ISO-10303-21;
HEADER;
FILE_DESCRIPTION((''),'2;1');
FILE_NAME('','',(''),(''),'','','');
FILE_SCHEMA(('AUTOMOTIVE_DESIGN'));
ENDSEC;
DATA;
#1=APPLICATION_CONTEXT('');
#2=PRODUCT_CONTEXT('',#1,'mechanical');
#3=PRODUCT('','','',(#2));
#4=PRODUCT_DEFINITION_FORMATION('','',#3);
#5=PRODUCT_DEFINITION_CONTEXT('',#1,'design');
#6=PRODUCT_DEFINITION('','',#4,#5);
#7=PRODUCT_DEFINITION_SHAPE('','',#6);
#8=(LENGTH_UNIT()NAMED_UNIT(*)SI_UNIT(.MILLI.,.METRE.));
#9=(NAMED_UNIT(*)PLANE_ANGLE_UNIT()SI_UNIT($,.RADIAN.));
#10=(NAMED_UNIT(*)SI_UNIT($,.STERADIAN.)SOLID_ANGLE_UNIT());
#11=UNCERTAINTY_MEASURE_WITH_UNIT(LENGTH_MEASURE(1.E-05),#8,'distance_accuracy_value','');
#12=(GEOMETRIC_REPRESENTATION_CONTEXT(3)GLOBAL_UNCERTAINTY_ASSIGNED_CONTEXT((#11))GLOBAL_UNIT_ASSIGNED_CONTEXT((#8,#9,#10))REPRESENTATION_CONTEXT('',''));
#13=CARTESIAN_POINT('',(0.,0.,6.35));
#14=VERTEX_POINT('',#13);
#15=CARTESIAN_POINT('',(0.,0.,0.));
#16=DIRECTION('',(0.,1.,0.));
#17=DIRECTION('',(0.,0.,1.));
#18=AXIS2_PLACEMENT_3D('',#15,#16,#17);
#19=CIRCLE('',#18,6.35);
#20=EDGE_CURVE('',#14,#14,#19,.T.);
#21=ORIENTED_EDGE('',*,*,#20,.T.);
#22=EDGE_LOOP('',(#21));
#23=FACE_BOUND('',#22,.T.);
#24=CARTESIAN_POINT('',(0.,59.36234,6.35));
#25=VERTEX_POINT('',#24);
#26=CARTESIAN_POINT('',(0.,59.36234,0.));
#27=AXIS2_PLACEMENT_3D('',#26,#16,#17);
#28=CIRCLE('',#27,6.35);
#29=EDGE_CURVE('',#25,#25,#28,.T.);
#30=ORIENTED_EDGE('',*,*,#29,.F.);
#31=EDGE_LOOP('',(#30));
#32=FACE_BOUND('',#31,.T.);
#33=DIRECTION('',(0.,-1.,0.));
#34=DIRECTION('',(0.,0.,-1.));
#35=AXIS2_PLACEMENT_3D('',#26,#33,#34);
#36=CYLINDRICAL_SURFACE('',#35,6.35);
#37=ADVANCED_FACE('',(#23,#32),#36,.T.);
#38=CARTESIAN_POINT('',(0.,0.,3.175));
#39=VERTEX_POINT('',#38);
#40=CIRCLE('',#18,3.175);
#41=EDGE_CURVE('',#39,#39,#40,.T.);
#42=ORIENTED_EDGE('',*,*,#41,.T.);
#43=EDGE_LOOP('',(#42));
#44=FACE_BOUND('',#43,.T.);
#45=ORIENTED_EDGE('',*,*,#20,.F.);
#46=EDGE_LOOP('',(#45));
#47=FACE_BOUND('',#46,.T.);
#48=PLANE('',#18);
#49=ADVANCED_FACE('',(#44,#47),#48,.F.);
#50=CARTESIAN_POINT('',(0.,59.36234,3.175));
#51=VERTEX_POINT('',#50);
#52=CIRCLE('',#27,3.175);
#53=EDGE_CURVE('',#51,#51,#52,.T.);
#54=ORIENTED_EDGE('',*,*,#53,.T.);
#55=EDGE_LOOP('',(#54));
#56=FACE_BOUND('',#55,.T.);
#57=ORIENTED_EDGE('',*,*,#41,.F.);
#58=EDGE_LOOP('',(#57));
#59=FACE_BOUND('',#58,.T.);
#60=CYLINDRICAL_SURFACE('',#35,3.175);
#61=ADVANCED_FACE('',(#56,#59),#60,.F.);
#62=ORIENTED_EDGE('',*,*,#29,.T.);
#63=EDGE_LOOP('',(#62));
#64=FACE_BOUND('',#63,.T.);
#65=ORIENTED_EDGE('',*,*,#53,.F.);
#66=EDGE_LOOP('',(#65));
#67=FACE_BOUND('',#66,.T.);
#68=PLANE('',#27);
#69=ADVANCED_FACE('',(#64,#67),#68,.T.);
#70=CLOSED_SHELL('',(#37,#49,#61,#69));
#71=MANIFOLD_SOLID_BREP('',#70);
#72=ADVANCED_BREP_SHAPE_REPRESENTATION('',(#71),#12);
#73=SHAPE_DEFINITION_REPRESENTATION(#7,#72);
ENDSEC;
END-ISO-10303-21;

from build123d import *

# Parameters (mm, degrees)
SKETCH1_R           = 6.35
SKETCH1_R_2         = 3.175
BOSS_EXTRUDE1_DEPTH = 59.36234


with BuildPart() as part:
    # Sketch1 → Boss-Extrude1 (new body)
    with BuildSketch(Plane(origin=(0, 0, 0), x_dir=(1, 0, 0), z_dir=(0, 1, 0))):
        Circle(SKETCH1_R)
        Circle(SKETCH1_R_2, mode=Mode.SUBTRACT)
    extrude(amount=BOSS_EXTRUDE1_DEPTH)


solid = part.part
